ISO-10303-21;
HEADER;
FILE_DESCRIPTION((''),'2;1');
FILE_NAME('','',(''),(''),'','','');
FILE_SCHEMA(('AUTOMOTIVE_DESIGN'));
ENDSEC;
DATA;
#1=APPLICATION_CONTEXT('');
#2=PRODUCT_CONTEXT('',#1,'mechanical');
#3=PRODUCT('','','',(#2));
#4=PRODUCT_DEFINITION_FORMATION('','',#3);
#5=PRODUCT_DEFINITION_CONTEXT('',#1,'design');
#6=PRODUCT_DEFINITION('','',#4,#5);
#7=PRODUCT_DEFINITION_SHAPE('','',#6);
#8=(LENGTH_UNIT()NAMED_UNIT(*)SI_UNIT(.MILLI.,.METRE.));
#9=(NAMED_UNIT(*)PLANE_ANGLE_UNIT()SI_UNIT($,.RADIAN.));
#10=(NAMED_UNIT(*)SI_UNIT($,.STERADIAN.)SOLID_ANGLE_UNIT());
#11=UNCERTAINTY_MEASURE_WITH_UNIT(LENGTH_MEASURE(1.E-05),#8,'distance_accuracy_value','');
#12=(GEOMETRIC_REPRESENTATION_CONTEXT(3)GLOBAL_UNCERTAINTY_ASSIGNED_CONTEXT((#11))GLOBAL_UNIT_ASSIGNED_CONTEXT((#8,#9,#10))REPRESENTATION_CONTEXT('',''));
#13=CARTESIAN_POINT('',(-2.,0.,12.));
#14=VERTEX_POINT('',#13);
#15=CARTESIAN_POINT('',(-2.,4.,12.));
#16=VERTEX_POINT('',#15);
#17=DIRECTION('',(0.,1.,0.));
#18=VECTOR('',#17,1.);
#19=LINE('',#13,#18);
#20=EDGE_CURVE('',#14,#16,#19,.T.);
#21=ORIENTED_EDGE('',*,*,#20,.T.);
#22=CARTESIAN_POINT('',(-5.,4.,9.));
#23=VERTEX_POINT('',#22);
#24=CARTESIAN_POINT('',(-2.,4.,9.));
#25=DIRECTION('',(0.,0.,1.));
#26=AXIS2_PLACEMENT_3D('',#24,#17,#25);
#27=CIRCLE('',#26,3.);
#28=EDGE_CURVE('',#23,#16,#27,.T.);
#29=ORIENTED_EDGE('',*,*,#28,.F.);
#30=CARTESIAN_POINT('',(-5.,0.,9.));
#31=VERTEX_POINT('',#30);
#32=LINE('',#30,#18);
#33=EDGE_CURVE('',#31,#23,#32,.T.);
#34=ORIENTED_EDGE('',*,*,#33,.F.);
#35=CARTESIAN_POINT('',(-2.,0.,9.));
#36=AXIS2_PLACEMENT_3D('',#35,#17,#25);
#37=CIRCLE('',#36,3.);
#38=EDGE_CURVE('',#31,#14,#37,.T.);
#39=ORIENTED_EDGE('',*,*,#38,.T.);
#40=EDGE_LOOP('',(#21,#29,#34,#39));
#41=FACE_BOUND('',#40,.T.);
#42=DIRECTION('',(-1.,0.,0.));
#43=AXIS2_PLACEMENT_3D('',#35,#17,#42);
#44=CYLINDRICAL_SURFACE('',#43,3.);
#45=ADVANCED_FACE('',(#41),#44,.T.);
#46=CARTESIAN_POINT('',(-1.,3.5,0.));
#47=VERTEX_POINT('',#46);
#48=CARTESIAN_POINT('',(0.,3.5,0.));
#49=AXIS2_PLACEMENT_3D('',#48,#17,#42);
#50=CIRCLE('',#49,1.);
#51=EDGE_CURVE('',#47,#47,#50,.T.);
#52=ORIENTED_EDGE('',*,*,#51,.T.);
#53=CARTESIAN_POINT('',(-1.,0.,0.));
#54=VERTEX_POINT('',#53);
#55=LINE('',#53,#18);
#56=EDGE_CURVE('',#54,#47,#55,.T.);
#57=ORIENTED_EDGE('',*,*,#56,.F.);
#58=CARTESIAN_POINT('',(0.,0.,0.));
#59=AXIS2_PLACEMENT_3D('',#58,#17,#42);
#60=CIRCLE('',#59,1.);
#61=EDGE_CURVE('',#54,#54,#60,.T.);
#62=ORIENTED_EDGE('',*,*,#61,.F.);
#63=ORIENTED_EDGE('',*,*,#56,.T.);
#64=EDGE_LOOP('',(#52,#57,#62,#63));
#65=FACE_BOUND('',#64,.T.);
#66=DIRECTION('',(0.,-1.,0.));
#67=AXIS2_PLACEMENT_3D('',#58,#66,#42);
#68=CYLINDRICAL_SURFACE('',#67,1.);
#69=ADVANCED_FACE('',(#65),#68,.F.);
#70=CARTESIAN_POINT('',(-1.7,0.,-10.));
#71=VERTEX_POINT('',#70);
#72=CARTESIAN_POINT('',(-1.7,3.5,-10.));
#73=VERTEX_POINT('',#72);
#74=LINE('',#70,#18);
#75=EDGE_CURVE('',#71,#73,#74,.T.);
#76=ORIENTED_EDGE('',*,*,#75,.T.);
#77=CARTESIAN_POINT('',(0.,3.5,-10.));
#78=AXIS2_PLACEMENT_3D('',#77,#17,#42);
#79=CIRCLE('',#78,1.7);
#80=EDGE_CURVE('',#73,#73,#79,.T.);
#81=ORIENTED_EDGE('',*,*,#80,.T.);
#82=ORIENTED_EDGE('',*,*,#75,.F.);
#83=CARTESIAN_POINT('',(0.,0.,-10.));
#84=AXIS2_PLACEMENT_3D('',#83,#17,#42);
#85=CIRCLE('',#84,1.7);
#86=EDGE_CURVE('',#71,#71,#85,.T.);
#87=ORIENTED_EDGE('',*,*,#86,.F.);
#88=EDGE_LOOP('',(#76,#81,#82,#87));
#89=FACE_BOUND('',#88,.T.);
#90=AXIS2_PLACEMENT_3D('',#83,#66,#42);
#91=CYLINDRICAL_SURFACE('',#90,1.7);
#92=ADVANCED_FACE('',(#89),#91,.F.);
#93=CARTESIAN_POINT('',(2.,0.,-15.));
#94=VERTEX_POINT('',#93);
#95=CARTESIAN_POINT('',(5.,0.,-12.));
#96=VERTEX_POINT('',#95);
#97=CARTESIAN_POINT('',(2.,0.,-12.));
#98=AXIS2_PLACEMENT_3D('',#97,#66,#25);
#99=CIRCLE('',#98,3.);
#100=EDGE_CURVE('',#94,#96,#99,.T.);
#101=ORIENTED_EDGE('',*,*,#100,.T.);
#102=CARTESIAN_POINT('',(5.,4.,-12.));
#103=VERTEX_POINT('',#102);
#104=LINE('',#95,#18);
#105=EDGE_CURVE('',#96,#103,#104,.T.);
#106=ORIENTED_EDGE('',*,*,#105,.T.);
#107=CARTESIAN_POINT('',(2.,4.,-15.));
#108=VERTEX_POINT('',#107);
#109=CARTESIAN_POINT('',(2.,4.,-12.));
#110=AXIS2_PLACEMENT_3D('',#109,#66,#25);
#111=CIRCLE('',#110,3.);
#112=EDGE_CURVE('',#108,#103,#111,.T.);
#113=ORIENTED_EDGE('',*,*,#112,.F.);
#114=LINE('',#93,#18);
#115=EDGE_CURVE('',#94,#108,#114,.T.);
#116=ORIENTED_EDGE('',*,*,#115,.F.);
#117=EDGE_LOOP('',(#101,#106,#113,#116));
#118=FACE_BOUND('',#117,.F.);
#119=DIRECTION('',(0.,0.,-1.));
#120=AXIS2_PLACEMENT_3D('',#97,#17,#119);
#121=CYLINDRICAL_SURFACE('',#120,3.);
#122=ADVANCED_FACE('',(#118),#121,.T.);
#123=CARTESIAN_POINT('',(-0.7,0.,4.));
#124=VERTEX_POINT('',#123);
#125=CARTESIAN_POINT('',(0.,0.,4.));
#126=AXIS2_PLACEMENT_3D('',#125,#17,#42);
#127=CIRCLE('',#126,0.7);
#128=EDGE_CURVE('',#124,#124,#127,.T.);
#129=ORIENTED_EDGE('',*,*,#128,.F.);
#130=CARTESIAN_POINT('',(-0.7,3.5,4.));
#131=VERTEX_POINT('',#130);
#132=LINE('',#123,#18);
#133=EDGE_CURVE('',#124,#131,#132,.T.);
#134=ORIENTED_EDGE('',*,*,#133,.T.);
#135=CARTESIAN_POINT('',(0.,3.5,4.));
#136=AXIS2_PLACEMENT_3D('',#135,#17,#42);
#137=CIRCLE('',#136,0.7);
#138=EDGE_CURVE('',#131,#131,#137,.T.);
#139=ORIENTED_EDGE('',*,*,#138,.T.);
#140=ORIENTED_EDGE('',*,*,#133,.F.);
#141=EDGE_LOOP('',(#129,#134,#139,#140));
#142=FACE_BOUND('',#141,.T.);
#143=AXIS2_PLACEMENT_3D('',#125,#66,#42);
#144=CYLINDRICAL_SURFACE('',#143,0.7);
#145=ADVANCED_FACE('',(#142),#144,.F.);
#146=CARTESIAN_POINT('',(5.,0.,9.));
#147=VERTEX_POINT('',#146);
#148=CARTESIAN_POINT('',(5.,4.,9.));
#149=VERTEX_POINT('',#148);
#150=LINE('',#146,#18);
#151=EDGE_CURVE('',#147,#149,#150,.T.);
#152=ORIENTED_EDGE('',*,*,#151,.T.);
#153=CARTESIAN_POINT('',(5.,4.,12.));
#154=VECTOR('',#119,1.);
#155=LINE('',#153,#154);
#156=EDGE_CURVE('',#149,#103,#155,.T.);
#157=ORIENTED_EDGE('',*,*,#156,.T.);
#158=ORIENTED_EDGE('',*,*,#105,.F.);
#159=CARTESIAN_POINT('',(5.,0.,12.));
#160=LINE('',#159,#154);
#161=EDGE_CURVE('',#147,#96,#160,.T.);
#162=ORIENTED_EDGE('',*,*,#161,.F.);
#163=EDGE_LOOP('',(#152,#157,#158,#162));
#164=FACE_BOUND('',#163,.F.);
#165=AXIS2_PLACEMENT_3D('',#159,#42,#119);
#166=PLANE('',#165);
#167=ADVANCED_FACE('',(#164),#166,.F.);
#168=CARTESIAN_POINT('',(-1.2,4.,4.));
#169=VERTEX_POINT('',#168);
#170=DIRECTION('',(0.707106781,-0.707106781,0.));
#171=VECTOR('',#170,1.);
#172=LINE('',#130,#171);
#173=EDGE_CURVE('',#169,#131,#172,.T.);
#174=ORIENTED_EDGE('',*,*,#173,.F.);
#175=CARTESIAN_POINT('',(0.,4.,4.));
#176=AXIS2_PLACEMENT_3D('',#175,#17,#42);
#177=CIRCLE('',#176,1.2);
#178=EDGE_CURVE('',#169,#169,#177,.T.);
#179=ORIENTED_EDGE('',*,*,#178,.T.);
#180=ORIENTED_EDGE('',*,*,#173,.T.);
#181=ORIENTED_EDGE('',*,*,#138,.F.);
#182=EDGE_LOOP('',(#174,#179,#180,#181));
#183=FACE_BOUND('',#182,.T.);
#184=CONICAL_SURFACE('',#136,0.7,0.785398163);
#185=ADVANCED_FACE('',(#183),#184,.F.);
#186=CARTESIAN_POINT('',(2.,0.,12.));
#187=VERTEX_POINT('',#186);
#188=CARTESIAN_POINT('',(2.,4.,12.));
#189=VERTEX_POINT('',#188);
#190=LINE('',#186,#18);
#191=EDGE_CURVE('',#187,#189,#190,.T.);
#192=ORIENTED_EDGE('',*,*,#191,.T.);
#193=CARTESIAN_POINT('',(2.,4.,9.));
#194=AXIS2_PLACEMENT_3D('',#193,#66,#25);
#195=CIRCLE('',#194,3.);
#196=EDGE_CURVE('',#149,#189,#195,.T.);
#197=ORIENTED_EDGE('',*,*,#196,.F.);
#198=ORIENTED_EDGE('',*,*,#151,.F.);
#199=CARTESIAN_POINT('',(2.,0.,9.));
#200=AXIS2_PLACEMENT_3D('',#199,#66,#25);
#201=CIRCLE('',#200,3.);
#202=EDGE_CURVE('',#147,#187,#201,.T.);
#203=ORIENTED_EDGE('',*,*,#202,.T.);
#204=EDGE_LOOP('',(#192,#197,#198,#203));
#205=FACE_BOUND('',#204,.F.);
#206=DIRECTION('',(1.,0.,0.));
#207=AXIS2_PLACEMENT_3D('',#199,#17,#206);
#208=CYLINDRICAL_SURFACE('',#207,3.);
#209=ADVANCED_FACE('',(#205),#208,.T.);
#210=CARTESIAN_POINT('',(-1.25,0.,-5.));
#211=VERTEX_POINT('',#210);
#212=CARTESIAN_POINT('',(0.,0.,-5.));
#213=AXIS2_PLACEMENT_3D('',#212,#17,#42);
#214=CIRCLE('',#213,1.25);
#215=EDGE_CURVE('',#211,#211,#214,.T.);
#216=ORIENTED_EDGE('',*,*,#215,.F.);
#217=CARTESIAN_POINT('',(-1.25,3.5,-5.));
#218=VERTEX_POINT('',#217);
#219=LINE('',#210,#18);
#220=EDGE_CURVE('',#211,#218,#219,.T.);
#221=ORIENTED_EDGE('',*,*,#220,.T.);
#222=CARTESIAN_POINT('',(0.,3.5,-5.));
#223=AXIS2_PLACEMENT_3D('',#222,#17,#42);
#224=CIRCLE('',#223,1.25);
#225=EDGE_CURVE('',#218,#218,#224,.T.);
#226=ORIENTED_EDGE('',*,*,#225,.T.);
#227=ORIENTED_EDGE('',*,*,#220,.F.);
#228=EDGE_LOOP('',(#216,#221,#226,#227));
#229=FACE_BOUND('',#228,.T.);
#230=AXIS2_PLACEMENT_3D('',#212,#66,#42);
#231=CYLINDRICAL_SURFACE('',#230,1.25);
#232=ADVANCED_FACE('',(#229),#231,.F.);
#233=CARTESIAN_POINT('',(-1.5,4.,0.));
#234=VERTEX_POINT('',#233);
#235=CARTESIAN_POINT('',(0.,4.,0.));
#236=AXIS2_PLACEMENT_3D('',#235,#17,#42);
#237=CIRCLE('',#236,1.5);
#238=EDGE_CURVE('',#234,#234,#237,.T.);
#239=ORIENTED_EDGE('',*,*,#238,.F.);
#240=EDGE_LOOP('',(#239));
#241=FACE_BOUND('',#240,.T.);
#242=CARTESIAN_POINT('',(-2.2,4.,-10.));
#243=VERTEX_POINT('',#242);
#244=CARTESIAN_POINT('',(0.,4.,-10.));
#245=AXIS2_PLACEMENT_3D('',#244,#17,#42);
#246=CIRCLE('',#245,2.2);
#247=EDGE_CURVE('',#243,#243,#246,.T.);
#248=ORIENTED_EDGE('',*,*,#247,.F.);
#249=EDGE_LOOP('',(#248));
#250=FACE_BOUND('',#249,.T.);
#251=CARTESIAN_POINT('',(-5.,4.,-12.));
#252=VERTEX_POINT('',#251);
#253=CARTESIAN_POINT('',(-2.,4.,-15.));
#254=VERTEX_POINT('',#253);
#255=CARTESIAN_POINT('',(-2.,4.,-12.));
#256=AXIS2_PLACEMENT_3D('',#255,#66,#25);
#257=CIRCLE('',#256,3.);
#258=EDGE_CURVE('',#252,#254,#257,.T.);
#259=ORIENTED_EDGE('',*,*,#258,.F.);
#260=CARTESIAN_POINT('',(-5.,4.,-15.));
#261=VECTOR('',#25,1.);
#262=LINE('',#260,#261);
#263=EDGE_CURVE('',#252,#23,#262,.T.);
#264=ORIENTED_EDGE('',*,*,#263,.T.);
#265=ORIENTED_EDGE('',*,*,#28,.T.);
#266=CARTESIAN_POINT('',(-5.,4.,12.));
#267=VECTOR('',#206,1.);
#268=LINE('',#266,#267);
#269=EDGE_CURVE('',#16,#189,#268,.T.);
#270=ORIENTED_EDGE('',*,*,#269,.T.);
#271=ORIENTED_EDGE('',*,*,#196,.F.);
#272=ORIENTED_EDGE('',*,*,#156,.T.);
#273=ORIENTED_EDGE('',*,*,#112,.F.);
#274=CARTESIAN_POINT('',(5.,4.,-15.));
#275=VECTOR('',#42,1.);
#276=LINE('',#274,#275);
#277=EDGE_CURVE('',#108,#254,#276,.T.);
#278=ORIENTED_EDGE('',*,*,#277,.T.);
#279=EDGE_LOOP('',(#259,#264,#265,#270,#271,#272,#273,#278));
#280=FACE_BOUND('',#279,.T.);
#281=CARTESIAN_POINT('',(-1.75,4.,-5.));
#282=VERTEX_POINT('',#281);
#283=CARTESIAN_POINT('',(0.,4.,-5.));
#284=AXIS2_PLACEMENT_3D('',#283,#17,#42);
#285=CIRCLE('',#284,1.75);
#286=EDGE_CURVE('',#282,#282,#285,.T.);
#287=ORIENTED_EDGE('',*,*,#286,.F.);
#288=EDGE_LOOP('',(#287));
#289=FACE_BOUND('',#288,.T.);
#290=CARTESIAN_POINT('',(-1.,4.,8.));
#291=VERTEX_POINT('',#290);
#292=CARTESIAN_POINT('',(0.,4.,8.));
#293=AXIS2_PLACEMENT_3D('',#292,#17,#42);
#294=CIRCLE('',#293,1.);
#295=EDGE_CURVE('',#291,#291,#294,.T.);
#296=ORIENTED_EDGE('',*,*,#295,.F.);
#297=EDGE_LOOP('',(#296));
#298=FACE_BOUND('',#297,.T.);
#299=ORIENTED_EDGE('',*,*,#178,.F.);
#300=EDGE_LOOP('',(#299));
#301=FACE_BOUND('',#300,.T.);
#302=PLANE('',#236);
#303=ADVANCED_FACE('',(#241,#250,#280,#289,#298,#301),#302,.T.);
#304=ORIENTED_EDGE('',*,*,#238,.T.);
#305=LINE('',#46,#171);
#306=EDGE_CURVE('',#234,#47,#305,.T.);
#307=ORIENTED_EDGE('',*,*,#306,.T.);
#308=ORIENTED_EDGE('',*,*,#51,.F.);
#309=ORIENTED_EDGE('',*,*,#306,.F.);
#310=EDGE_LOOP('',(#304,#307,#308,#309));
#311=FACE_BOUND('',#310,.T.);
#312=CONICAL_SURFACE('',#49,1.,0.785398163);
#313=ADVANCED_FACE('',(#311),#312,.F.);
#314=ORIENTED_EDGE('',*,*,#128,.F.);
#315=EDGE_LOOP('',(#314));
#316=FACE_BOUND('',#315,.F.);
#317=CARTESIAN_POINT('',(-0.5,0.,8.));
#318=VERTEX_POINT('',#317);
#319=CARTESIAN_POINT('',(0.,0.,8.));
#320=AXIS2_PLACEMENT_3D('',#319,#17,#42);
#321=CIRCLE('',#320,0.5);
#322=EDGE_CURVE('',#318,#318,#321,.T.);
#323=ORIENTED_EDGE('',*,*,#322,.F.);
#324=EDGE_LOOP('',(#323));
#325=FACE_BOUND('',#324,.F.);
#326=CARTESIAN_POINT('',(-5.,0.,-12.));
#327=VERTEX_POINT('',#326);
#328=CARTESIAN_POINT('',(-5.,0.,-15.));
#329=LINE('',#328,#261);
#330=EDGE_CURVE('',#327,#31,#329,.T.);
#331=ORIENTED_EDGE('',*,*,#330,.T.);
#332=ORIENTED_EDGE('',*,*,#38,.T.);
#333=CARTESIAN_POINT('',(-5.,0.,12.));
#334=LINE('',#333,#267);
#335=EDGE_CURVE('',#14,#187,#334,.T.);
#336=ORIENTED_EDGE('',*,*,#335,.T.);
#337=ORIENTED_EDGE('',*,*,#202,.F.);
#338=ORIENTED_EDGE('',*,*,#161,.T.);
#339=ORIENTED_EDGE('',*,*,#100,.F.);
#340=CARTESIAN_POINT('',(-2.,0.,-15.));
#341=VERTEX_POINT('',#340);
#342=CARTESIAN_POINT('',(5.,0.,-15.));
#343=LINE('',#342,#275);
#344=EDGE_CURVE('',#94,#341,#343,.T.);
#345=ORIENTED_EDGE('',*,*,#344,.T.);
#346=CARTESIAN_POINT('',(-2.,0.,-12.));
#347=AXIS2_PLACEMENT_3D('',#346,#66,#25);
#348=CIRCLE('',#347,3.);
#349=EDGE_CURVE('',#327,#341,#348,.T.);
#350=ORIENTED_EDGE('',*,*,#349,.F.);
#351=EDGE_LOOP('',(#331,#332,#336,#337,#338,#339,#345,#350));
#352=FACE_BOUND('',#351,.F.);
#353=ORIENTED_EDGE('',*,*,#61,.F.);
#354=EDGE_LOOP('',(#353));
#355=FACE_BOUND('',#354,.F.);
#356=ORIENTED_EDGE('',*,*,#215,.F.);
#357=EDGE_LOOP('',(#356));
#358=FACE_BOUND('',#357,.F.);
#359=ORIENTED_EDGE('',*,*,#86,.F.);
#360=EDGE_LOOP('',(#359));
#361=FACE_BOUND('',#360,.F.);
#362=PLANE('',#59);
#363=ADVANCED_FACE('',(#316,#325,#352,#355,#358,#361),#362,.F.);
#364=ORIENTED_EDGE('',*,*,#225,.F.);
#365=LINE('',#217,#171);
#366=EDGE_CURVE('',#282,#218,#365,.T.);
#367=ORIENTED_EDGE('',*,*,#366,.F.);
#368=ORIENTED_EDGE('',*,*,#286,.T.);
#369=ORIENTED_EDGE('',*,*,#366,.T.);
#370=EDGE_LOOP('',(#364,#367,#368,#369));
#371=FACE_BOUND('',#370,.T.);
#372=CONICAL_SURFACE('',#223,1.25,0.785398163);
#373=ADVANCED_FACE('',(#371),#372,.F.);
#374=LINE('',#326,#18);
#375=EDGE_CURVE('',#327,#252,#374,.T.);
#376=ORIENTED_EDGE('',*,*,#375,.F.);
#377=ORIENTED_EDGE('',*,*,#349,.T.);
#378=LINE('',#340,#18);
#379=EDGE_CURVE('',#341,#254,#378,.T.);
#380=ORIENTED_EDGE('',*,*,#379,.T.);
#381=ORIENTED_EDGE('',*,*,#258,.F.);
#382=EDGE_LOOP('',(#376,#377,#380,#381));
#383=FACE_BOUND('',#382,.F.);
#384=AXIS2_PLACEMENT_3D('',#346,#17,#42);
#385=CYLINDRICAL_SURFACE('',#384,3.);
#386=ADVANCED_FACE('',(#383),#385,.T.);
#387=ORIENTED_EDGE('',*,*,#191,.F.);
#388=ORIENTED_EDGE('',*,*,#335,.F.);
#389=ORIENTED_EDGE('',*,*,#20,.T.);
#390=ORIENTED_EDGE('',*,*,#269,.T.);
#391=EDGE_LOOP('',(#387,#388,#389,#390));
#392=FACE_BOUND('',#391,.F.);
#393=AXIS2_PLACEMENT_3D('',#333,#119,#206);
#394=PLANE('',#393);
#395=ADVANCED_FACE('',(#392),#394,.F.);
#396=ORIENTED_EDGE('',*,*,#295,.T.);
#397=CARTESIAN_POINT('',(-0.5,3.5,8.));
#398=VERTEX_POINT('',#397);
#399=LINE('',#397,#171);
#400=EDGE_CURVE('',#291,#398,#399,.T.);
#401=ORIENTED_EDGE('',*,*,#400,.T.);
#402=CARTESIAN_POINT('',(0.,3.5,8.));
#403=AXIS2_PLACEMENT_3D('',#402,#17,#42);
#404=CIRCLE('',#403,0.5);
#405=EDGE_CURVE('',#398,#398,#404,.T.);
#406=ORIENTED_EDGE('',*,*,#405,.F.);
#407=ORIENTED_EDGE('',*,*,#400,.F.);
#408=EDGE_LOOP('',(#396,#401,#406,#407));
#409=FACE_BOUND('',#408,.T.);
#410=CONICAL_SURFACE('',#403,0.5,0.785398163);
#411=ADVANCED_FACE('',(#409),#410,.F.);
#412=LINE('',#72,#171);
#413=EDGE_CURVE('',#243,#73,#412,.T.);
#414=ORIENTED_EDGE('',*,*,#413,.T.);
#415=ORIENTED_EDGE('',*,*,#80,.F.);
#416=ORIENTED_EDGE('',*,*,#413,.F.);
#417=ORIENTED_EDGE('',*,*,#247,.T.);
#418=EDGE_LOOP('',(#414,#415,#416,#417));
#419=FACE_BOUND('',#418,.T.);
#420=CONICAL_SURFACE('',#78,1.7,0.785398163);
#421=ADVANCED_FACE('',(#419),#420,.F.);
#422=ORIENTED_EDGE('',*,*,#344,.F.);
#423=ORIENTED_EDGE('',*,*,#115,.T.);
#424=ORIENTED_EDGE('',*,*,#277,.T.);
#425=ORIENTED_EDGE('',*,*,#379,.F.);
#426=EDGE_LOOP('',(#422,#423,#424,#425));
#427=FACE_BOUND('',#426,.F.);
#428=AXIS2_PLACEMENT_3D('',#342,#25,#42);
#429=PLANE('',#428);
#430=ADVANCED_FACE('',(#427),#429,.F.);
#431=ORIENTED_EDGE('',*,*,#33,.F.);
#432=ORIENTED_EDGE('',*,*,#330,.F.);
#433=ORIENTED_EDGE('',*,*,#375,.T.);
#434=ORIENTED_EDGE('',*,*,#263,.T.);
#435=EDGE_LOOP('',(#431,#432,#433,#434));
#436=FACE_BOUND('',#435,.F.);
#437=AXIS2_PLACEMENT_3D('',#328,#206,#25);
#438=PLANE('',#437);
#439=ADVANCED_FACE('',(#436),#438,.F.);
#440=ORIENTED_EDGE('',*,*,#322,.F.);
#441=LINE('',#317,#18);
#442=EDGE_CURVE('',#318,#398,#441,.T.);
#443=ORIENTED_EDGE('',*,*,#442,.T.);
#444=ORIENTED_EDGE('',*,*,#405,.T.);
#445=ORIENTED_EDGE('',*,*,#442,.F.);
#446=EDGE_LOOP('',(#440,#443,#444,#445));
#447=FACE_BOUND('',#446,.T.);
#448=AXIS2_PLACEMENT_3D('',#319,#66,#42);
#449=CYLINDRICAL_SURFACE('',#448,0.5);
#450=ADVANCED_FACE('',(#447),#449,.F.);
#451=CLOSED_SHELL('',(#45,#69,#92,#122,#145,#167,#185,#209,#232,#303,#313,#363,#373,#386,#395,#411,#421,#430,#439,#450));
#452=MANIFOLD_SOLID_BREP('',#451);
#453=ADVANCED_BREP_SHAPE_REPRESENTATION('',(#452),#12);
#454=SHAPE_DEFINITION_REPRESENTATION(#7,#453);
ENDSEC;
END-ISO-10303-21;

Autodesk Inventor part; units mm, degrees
ref_plane "YZ Plane" through (0, 0, 0) normal (1, 0, 0) x (0, 1, 0)
ref_plane "XZ Plane" through (0, 0, 0) normal (0, 1, 0) x (-1, 0, 0)
ref_plane "XY Plane" through (0, 0, 0) normal (0, 0, 1) x (1, 0, 0)
sketch "Sketch1" plane through (0, 0, 0) normal (0, 1, 0) x (-1, 0, 0)
  circle A0 centre (0, 0) radius 1
  circle A1 centre (0, 4) radius 0.7
  circle A2 centre (0, -10) radius 1.7
  circle A3 centre (0, 8) radius 0.5
  circle A4 centre (0, -5) radius 1.25
  line L0 (5, 12) -> (-5, 12)
  line L1 (-5, 12) -> (-5, -15)
  line L2 (-5, -15) -> (5, -15)
  line L3 (5, -15) -> (5, 12)
  dimension "d0" = 2
  dimension "d1" = 1.4
  dimension "d2" = 3.4
  dimension "d3" = 1
  dimension "d4" = 2.5
  dimension "d5" = 4
  dimension "d6" = 4
  dimension "d7" = 5
  dimension "d8" = 5
  dimension "d11" = 4
  dimension "d12" = 5
  dimension "d13" = 5
  dimension "d14" = 5
extrude "Extrusion1" add sketch "Sketch1" along normal blind 4
fillet "Fillet1" radius 3 4 edges at (5, 2, 12) (-5, 2, 12) (-5, 2, -15) (5, 2, -15)
chamfer "Chamfer1" distance 0.5 angle 45 5 edges at (1.7, 4, -10) (1.25, 4, -5) (1, 4, 0) (0.7, 4, 4) (0.5, 4, 8)
properties part number "hole_size_test"
